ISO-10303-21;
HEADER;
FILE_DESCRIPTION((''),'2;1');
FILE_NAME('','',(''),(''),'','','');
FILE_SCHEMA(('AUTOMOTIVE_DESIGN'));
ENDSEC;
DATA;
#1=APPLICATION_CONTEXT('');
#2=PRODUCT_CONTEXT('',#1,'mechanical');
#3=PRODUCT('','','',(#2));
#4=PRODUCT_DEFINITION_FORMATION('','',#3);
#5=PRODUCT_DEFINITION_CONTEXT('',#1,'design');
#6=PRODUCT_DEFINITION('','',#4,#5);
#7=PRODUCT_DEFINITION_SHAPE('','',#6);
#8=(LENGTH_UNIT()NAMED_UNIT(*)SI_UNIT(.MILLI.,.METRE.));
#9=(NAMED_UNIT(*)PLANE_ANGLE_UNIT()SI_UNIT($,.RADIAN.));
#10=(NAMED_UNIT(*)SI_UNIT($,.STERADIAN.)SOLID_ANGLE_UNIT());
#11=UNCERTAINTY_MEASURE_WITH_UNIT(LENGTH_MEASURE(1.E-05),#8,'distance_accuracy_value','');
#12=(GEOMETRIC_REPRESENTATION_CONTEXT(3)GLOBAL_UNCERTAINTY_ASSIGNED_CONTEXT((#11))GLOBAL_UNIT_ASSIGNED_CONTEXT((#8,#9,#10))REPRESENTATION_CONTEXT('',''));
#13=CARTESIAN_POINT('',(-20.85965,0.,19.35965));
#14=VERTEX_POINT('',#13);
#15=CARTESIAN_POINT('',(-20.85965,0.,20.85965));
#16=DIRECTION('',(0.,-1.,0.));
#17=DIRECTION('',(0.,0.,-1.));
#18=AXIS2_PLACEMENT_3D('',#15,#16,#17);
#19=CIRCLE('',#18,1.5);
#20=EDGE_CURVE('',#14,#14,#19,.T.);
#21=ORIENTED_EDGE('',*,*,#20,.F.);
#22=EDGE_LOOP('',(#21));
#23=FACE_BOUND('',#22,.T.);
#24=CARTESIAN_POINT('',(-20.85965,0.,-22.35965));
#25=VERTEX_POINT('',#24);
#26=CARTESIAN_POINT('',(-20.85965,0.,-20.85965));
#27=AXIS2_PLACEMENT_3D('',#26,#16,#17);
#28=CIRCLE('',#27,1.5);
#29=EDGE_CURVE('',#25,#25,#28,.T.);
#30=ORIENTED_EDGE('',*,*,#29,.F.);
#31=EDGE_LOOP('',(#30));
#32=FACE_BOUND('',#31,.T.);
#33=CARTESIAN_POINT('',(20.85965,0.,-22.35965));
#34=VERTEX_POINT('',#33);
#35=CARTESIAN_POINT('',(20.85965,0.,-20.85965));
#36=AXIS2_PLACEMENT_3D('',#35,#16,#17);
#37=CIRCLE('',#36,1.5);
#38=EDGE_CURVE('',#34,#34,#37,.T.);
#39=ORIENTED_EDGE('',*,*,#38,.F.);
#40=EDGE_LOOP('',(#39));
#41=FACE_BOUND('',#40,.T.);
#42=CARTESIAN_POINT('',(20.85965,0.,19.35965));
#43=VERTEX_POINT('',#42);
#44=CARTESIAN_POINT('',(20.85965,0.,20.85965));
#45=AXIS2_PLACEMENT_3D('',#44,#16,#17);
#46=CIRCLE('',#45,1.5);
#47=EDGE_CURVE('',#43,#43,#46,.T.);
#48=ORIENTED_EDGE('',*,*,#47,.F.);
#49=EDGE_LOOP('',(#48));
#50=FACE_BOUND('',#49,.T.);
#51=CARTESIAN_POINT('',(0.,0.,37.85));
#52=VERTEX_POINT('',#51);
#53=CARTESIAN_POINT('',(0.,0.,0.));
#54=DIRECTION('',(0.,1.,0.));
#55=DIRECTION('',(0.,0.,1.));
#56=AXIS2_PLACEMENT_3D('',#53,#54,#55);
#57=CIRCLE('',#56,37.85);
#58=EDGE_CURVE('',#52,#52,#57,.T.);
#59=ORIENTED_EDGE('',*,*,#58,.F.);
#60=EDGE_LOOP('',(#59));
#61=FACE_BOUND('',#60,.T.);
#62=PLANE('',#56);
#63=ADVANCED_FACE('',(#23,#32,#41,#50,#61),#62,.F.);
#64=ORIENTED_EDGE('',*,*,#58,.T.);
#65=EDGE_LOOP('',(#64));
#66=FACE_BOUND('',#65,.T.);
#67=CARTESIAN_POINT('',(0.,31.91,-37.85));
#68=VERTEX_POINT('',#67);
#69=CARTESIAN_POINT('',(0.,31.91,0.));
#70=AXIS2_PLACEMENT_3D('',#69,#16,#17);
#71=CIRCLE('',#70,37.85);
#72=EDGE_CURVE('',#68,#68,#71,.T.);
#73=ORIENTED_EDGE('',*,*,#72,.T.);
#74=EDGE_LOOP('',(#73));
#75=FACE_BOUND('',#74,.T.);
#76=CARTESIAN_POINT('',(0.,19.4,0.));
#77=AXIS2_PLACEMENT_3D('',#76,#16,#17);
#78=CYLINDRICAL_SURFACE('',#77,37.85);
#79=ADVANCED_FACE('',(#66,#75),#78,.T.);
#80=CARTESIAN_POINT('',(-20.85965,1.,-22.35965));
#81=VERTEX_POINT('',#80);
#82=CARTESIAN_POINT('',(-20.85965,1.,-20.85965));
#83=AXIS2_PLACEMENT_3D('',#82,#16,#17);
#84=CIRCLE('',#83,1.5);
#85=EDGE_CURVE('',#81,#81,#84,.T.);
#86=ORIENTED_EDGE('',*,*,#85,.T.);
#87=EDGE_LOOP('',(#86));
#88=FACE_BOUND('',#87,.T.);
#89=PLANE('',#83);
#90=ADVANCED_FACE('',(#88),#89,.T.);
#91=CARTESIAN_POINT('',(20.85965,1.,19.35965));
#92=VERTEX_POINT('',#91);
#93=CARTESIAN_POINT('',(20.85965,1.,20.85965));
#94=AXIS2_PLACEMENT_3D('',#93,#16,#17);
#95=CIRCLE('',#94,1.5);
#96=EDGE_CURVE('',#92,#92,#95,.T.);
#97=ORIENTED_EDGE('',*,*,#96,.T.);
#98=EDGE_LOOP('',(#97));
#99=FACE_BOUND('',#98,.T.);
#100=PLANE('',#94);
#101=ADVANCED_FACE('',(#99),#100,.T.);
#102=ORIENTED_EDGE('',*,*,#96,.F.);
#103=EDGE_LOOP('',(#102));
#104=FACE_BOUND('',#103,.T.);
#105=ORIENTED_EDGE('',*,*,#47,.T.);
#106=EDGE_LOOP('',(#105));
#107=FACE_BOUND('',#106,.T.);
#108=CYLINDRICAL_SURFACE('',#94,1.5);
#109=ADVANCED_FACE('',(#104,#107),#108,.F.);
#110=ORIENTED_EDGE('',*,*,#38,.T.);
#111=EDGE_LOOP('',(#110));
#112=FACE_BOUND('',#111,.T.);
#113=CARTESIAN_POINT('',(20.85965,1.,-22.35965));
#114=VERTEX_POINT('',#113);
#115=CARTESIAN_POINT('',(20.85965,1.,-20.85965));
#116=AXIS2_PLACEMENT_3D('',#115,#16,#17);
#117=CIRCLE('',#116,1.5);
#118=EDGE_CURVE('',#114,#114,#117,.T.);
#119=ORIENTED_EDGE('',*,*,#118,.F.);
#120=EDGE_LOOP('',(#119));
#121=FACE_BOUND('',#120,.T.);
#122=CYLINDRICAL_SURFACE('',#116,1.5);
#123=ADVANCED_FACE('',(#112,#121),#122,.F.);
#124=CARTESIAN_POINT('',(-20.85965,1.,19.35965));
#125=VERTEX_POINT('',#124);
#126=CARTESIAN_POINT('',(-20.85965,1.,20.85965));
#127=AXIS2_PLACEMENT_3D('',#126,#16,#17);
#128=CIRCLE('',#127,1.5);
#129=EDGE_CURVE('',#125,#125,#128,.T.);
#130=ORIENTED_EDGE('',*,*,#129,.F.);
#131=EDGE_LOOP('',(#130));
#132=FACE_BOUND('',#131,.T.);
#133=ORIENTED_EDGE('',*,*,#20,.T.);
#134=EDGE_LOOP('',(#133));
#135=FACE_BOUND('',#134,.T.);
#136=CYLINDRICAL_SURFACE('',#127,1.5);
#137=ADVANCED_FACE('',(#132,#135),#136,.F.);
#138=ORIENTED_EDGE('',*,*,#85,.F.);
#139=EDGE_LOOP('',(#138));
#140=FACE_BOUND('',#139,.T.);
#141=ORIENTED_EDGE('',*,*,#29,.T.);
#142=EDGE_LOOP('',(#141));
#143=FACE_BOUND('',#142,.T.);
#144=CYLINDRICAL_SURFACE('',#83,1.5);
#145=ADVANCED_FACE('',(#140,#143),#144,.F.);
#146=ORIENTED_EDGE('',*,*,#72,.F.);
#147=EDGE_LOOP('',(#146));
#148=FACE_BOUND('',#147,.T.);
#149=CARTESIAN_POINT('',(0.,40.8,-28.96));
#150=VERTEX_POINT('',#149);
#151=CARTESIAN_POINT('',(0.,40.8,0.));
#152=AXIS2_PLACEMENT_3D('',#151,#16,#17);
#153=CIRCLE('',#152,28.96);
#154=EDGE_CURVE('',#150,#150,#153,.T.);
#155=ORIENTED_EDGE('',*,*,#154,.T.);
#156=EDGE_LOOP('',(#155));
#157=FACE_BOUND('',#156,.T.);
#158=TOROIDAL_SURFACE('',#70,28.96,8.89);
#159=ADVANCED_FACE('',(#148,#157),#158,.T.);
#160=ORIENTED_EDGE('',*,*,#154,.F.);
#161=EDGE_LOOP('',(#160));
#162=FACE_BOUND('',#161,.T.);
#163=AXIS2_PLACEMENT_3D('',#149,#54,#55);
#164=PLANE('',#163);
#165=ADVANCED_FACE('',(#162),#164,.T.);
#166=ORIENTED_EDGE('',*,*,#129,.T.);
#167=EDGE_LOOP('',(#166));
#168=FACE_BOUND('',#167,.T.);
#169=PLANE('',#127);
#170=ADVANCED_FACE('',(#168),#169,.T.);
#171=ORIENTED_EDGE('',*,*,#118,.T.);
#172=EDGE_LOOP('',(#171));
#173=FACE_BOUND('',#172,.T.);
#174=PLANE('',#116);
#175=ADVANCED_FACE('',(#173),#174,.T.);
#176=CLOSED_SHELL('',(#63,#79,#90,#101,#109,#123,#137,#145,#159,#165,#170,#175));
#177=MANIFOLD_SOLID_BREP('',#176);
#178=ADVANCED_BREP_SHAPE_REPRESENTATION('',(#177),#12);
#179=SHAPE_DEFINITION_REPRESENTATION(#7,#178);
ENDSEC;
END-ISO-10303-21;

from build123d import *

# Parameters (mm, degrees)
SKETCH1_R           = 37.85
BOSS_EXTRUDE1_DEPTH = 19.4
SKETCH4_R           = 1.5
CUT_EXTRUDE1_DEPTH  = 1


with BuildPart() as part:
    # Sketch1 → Boss-Extrude1 (new body)
    with BuildSketch(Plane(origin=(0, 0, 0), x_dir=(1, 0, 0), z_dir=(0, 1, 0))):
        with Locations(Location((0, 0, 0), (0, 0, 270))):
            Circle(SKETCH1_R)
    extrude(amount=BOSS_EXTRUDE1_DEPTH)

    # Sketch3 → Revolve1 (revolve)
    with BuildSketch(Plane(origin=(0, 0, 0), x_dir=(0, 0, -1), z_dir=(1, 0, 0))):
        with BuildLine():
            Line((37.85, 19.4), (37.85, 30.8))
            Line((37.85, 30.8), (37.85, 31.91000006))
            ThreePointArc((37.85, 31.91000006), (35.246179285, 38.196179345), (28.96, 40.80000006))
            Line((28.96, 40.80000006), (0, 40.80000006))
            Line((0, 40.80000006), (0, 19.4))
            Line((0, 19.4), (37.85, 19.4))
        make_face()
    revolve(axis=Axis((0, 19.4, 0), (0, 1, 0)))

    # Sketch4 → Cut-Extrude1 (cut)
    with BuildSketch(Plane.XZ):
        with Locations(Location((20.859650045, 20.859650045, 0), (0, 0, 270))):
            Circle(SKETCH4_R)
        with Locations(Location((-20.859650045, 20.859650045, 0), (0, 0, 270))):
            Circle(SKETCH4_R)
        with Locations(Location((-20.859650045, -20.859650045, 0), (0, 0, 270))):
            Circle(SKETCH4_R)
        with Locations(Location((20.859650045, -20.859650045, 0), (0, 0, 270))):
            Circle(SKETCH4_R)
    extrude(amount=-CUT_EXTRUDE1_DEPTH, mode=Mode.SUBTRACT)


solid = part.part
